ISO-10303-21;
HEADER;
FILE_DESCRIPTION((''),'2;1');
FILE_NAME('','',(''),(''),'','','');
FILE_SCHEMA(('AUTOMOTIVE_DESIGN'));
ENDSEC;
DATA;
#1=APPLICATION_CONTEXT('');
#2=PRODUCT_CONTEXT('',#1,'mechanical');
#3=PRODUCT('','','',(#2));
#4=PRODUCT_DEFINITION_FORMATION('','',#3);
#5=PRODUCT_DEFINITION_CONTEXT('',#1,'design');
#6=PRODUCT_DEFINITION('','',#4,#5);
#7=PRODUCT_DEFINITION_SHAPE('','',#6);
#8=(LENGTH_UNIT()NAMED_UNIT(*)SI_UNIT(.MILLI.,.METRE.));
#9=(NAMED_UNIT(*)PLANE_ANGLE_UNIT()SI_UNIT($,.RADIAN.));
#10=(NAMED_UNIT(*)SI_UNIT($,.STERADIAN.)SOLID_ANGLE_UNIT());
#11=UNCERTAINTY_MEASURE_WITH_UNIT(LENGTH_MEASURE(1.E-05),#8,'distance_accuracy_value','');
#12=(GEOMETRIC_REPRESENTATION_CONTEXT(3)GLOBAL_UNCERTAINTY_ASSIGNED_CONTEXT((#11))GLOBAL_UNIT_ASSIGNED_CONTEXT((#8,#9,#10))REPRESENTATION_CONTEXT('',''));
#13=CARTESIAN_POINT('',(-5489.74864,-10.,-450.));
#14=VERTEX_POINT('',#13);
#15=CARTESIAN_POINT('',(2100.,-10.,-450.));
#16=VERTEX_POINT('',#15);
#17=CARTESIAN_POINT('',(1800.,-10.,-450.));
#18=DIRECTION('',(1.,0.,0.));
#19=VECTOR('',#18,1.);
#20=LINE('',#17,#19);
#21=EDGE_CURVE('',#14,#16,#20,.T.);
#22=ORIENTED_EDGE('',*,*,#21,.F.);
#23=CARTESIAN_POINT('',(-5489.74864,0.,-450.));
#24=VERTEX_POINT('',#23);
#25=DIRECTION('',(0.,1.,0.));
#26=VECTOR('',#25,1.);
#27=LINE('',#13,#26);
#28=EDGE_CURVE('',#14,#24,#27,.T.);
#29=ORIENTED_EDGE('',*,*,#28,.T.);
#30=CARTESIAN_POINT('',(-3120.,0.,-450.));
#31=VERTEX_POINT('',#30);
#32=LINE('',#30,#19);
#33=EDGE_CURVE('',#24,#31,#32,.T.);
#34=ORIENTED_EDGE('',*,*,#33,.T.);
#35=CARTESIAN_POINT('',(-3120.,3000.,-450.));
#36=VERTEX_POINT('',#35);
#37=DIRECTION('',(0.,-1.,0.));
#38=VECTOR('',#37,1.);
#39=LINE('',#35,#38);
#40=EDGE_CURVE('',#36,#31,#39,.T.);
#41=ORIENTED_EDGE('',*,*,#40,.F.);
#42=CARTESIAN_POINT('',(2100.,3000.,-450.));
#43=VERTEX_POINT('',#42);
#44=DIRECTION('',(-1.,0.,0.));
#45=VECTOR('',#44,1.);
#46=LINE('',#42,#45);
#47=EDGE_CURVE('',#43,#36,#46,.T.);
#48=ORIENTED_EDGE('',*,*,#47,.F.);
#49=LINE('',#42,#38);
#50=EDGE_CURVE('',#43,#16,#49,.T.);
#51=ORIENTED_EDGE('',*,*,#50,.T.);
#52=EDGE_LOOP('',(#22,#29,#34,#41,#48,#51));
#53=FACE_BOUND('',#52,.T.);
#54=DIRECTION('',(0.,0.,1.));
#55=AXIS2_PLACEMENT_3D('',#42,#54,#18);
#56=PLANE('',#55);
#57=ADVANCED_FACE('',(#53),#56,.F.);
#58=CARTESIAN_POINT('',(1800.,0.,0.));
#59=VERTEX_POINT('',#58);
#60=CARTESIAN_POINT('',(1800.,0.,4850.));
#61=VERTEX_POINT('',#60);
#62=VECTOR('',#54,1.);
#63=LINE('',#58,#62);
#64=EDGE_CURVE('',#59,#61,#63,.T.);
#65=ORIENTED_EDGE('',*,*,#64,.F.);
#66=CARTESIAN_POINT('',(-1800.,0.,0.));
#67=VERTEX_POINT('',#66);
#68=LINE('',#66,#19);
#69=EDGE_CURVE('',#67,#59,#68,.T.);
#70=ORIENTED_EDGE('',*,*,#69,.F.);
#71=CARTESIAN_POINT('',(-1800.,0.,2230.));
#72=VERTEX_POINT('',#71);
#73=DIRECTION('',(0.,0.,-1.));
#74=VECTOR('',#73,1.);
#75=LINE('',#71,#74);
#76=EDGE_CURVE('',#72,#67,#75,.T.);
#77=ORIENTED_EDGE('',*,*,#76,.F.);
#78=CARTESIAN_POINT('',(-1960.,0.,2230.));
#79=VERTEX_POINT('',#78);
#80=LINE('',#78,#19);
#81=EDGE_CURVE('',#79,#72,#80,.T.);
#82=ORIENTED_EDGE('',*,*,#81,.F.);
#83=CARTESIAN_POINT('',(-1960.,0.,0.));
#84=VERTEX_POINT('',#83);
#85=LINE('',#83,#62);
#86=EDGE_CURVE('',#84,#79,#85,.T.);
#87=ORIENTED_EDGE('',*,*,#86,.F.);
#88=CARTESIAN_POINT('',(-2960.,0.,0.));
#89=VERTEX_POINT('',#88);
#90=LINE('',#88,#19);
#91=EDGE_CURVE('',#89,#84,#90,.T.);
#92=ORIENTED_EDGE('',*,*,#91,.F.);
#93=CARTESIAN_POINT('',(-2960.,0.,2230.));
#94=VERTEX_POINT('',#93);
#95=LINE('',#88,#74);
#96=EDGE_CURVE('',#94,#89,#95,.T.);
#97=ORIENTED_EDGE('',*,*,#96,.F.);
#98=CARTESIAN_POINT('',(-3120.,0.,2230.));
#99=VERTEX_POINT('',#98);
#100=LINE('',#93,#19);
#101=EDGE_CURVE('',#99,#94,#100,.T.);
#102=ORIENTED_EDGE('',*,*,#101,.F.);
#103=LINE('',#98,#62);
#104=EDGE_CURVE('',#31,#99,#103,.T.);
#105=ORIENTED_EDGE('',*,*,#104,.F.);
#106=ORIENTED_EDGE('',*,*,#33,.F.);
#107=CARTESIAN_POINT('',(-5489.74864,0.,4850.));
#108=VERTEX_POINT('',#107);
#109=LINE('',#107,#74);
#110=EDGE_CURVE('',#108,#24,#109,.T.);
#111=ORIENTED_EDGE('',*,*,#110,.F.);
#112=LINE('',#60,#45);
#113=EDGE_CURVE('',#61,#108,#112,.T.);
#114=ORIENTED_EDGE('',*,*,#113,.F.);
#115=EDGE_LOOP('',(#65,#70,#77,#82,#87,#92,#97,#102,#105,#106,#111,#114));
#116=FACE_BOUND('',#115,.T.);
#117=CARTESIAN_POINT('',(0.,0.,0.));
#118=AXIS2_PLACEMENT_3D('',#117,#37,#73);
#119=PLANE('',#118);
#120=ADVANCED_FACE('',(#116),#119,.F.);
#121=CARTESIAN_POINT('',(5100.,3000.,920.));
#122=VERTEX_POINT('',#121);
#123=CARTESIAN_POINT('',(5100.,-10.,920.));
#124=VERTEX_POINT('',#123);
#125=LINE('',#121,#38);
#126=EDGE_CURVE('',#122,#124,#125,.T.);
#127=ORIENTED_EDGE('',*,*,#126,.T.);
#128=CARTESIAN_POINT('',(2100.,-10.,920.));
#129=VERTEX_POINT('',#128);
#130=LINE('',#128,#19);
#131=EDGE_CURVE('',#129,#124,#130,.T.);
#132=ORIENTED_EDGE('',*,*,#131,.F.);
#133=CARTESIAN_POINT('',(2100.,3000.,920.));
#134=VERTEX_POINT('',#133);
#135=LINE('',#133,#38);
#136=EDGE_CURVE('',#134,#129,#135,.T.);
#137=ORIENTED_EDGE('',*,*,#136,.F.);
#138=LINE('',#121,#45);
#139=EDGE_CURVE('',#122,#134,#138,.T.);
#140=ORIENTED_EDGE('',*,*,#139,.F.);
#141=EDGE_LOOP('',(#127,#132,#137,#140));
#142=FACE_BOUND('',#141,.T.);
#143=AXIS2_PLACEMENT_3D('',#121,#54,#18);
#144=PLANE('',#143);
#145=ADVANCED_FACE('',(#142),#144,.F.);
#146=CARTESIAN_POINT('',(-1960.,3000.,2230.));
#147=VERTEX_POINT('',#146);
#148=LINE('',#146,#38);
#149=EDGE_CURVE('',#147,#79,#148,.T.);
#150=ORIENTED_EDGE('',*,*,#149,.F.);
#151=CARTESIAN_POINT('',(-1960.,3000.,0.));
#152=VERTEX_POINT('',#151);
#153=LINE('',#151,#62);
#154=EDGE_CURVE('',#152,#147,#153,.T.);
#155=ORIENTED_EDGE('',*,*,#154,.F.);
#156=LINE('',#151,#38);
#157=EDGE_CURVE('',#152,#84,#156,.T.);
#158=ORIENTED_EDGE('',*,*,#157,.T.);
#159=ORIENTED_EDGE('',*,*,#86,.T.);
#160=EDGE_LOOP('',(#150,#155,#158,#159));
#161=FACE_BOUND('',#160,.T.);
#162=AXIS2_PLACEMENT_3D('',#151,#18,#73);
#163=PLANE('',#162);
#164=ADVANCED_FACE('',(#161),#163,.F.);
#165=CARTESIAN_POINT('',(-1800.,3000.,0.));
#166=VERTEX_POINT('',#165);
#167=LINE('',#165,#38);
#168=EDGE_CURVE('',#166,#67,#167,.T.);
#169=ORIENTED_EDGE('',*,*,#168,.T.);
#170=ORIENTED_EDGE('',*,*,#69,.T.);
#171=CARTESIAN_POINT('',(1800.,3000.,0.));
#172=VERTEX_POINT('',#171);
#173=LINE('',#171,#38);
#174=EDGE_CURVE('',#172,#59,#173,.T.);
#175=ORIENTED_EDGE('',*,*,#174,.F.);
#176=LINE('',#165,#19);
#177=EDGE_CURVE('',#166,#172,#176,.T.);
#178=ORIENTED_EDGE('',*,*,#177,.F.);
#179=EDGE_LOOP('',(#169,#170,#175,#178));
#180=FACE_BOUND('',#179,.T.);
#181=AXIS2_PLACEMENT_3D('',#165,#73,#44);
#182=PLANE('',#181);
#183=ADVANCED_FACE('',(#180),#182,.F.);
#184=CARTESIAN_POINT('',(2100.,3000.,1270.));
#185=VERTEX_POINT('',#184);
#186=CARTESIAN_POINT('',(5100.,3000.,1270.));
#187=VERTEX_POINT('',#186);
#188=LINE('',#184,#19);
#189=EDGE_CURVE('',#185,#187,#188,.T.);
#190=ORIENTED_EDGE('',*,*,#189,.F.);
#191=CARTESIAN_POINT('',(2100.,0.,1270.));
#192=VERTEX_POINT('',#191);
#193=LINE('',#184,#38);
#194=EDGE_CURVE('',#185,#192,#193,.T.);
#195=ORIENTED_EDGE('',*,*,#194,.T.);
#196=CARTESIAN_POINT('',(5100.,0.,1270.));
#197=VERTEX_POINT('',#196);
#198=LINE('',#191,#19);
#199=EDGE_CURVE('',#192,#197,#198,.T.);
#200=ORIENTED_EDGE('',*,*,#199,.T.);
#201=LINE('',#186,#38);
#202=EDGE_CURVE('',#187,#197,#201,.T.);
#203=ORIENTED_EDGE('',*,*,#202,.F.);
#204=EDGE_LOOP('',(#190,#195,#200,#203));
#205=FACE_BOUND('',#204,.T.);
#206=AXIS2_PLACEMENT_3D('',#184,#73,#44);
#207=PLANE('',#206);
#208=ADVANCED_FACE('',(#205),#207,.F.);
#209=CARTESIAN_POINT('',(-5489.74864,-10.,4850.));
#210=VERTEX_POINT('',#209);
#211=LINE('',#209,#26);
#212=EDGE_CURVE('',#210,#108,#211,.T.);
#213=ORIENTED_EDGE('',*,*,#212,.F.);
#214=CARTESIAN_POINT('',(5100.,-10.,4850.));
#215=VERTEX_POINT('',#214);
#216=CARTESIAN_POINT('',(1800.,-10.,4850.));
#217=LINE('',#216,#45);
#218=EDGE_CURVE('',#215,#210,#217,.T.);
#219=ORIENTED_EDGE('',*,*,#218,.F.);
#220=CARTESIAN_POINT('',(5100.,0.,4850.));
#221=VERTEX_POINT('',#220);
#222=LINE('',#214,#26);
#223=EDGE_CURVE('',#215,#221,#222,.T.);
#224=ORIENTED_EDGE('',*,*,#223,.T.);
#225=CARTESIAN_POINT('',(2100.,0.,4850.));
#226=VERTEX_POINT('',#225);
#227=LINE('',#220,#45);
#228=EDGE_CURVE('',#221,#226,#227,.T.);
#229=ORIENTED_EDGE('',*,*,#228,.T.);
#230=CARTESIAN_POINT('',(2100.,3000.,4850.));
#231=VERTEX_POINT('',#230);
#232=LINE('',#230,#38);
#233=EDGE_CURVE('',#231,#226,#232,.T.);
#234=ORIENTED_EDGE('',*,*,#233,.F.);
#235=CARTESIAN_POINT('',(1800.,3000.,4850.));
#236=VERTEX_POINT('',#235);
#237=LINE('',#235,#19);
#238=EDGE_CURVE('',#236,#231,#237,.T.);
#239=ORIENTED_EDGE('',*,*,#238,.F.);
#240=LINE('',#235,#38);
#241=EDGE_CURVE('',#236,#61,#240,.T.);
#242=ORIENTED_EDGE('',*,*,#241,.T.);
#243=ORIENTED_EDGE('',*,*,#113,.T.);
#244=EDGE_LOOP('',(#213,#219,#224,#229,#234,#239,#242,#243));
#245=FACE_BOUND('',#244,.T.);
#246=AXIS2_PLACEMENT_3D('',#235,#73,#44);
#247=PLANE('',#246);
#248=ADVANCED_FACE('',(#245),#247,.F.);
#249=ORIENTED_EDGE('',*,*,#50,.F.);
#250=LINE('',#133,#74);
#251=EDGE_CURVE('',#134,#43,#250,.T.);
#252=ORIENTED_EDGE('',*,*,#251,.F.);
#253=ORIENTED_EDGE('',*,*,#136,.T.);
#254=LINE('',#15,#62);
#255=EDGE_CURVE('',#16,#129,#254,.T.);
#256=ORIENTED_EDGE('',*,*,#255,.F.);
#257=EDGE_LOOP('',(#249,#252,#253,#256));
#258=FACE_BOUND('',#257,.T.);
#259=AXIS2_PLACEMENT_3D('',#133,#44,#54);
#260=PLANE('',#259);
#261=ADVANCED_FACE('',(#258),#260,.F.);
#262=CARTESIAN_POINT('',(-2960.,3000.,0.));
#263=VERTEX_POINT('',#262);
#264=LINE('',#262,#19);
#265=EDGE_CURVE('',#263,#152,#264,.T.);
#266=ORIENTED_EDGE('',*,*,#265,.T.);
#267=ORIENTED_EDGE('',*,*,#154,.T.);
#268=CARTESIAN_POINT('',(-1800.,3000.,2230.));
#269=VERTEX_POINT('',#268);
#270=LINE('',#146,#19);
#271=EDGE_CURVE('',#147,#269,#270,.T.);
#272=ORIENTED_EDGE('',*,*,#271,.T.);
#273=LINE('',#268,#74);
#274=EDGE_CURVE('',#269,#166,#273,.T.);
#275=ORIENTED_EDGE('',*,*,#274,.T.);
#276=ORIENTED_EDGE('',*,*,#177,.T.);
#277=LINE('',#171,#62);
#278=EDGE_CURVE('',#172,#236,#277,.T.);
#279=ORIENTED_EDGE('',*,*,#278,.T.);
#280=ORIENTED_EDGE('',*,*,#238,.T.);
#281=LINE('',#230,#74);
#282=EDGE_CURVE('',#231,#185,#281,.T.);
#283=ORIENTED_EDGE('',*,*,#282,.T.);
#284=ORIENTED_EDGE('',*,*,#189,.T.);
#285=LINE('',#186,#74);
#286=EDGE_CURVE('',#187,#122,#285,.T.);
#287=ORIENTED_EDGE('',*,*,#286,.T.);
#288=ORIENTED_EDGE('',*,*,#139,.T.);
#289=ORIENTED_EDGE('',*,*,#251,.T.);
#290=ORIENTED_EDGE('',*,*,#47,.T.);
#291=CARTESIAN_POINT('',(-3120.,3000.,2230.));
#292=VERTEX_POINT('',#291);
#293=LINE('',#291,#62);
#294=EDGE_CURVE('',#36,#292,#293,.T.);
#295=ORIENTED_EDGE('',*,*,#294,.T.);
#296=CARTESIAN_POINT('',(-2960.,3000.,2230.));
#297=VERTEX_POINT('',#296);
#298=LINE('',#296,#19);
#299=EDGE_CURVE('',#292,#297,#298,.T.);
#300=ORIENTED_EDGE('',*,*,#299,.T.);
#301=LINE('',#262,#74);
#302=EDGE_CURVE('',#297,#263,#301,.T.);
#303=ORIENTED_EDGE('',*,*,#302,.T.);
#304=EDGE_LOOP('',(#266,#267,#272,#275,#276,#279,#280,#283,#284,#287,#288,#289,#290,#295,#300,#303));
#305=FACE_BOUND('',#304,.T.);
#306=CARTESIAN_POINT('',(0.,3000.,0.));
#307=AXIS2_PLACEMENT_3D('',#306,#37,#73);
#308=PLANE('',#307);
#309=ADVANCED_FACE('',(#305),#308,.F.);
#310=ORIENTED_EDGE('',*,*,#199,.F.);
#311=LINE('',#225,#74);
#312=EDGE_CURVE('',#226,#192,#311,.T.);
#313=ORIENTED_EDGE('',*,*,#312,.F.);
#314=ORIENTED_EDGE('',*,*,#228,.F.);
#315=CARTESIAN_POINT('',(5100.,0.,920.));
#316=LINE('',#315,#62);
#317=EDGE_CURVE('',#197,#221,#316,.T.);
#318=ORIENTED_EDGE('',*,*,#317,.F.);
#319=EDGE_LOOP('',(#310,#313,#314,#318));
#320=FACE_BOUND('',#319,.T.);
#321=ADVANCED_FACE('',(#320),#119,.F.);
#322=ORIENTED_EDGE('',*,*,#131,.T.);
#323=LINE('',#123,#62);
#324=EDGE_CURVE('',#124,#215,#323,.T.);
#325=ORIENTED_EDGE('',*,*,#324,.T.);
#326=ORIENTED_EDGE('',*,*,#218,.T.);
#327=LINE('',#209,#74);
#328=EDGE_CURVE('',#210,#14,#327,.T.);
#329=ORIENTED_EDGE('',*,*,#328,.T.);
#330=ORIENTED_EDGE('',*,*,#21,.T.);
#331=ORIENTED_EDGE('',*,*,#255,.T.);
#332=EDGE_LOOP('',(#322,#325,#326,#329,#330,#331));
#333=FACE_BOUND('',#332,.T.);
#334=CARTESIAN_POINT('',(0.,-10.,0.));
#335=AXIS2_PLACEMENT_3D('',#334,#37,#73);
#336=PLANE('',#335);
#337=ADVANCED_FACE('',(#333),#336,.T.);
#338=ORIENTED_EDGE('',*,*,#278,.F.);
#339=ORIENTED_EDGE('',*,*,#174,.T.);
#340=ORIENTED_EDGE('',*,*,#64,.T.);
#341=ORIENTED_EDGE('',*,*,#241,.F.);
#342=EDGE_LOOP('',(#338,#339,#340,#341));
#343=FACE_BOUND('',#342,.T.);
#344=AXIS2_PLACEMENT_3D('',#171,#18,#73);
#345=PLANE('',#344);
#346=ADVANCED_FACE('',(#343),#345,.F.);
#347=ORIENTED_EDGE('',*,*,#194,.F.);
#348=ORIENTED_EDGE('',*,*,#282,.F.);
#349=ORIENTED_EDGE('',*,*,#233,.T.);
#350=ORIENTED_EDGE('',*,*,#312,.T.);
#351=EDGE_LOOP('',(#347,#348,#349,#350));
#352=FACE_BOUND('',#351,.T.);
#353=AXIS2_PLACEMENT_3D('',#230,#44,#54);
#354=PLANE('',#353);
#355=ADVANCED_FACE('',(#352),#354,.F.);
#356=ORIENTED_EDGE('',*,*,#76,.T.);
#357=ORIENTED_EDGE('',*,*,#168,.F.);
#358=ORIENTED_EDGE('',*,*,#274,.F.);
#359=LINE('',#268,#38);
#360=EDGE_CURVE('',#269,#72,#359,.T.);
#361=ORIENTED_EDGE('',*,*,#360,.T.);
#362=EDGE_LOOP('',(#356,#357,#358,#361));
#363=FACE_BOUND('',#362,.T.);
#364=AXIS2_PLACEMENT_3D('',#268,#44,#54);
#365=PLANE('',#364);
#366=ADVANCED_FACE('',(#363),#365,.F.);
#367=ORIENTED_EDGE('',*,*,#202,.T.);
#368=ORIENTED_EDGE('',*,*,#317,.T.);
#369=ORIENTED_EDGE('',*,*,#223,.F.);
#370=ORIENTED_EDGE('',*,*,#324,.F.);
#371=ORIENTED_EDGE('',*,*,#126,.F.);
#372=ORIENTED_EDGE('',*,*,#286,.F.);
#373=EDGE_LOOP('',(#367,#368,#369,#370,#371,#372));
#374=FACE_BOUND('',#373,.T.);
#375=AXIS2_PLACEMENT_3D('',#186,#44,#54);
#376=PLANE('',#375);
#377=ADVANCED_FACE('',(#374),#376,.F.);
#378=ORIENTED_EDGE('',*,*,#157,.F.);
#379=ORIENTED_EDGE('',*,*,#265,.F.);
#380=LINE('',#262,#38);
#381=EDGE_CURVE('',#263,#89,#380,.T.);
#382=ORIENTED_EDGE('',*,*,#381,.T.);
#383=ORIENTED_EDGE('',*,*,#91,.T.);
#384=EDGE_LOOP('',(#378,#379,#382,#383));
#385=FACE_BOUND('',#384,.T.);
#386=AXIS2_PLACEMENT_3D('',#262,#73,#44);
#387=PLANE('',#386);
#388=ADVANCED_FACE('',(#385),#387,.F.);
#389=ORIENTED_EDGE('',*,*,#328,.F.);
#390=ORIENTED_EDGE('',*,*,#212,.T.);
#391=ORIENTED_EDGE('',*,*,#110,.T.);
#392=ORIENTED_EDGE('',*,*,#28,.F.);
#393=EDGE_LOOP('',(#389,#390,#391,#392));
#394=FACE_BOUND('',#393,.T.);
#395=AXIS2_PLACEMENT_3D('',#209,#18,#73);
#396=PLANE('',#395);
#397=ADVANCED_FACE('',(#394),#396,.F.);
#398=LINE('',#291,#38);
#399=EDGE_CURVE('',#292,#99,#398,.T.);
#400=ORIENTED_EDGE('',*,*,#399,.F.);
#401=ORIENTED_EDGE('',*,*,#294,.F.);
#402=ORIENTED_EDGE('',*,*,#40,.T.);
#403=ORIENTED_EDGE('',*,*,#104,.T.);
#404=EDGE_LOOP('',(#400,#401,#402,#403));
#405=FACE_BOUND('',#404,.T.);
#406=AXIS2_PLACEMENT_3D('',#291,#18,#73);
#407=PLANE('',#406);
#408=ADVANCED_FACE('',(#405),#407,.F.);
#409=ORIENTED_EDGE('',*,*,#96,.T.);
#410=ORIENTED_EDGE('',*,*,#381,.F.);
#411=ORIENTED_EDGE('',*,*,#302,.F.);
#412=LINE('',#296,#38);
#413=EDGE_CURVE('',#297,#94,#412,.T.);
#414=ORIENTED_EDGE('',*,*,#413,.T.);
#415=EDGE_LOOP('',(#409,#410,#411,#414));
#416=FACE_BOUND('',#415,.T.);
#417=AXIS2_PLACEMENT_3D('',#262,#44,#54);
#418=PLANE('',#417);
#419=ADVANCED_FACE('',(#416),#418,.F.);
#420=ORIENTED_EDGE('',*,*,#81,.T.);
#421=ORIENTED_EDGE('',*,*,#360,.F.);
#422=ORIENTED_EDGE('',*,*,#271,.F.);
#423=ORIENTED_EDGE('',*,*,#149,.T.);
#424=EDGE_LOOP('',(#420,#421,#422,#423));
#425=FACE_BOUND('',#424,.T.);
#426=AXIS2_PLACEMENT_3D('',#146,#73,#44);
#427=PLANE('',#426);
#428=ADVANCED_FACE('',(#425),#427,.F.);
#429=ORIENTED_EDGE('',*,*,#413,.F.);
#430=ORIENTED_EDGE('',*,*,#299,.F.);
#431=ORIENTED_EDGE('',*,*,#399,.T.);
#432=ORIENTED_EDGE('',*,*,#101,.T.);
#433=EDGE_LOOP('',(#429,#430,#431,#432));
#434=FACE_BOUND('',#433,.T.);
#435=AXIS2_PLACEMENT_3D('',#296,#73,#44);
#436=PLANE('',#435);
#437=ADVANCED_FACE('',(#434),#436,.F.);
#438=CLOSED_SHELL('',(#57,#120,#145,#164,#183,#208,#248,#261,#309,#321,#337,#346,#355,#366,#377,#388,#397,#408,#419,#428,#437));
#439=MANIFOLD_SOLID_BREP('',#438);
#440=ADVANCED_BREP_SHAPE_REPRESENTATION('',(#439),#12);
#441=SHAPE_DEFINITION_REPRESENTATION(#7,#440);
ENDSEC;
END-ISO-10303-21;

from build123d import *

# Parameters (mm, degrees)
DODANIE_WYCI_GNI_CIE1_DEPTH = 3000
DODANIE_WYCI_GNI_CIE5_DEPTH = 10
DODANIE_WYCI_GNI_CIE6_DEPTH = 10


with BuildPart() as part:
    # Szkic1 → Dodanie-wyciągnięcie1 (new body)
    with BuildSketch(Plane(origin=(0, 0, 0), x_dir=(1, 0, 0), z_dir=(0, 1, 0))):
        Polygon((-1800, 0), (1800, 0), (1800, -4850), (2100, -4850), (2100, -1270), (5100, -1270), (5100, -920), (2100, -920), (2100, 450), (-3120, 450), (-3120, -2230), (-2960, -2230), (-2960, 0), (-1960, 0), (-1960, -2230), (-1800, -2230), align=None)
    extrude(amount=DODANIE_WYCI_GNI_CIE1_DEPTH)

    # Szkic3 → Dodanie-wyciągnięcie5 (add)
    with BuildSketch(Plane.XZ):
        Polygon((-3120, -450), (-5489.748639645, -450), (-5489.748639645, 4850), (1800, 4850), (1950, 4850), (1950, -450), (1800, -450), align=None)
    extrude(amount=DODANIE_WYCI_GNI_CIE5_DEPTH)

    # Szkic4 → Dodanie-wyciągnięcie6 (add)
    with BuildSketch(Plane.XZ):
        Polygon((1950, -450), (2100, -450), (2100, 920), (5100, 920), (5100, 4850), (1950, 4850), align=None)
    extrude(amount=DODANIE_WYCI_GNI_CIE6_DEPTH)


solid = part.part
